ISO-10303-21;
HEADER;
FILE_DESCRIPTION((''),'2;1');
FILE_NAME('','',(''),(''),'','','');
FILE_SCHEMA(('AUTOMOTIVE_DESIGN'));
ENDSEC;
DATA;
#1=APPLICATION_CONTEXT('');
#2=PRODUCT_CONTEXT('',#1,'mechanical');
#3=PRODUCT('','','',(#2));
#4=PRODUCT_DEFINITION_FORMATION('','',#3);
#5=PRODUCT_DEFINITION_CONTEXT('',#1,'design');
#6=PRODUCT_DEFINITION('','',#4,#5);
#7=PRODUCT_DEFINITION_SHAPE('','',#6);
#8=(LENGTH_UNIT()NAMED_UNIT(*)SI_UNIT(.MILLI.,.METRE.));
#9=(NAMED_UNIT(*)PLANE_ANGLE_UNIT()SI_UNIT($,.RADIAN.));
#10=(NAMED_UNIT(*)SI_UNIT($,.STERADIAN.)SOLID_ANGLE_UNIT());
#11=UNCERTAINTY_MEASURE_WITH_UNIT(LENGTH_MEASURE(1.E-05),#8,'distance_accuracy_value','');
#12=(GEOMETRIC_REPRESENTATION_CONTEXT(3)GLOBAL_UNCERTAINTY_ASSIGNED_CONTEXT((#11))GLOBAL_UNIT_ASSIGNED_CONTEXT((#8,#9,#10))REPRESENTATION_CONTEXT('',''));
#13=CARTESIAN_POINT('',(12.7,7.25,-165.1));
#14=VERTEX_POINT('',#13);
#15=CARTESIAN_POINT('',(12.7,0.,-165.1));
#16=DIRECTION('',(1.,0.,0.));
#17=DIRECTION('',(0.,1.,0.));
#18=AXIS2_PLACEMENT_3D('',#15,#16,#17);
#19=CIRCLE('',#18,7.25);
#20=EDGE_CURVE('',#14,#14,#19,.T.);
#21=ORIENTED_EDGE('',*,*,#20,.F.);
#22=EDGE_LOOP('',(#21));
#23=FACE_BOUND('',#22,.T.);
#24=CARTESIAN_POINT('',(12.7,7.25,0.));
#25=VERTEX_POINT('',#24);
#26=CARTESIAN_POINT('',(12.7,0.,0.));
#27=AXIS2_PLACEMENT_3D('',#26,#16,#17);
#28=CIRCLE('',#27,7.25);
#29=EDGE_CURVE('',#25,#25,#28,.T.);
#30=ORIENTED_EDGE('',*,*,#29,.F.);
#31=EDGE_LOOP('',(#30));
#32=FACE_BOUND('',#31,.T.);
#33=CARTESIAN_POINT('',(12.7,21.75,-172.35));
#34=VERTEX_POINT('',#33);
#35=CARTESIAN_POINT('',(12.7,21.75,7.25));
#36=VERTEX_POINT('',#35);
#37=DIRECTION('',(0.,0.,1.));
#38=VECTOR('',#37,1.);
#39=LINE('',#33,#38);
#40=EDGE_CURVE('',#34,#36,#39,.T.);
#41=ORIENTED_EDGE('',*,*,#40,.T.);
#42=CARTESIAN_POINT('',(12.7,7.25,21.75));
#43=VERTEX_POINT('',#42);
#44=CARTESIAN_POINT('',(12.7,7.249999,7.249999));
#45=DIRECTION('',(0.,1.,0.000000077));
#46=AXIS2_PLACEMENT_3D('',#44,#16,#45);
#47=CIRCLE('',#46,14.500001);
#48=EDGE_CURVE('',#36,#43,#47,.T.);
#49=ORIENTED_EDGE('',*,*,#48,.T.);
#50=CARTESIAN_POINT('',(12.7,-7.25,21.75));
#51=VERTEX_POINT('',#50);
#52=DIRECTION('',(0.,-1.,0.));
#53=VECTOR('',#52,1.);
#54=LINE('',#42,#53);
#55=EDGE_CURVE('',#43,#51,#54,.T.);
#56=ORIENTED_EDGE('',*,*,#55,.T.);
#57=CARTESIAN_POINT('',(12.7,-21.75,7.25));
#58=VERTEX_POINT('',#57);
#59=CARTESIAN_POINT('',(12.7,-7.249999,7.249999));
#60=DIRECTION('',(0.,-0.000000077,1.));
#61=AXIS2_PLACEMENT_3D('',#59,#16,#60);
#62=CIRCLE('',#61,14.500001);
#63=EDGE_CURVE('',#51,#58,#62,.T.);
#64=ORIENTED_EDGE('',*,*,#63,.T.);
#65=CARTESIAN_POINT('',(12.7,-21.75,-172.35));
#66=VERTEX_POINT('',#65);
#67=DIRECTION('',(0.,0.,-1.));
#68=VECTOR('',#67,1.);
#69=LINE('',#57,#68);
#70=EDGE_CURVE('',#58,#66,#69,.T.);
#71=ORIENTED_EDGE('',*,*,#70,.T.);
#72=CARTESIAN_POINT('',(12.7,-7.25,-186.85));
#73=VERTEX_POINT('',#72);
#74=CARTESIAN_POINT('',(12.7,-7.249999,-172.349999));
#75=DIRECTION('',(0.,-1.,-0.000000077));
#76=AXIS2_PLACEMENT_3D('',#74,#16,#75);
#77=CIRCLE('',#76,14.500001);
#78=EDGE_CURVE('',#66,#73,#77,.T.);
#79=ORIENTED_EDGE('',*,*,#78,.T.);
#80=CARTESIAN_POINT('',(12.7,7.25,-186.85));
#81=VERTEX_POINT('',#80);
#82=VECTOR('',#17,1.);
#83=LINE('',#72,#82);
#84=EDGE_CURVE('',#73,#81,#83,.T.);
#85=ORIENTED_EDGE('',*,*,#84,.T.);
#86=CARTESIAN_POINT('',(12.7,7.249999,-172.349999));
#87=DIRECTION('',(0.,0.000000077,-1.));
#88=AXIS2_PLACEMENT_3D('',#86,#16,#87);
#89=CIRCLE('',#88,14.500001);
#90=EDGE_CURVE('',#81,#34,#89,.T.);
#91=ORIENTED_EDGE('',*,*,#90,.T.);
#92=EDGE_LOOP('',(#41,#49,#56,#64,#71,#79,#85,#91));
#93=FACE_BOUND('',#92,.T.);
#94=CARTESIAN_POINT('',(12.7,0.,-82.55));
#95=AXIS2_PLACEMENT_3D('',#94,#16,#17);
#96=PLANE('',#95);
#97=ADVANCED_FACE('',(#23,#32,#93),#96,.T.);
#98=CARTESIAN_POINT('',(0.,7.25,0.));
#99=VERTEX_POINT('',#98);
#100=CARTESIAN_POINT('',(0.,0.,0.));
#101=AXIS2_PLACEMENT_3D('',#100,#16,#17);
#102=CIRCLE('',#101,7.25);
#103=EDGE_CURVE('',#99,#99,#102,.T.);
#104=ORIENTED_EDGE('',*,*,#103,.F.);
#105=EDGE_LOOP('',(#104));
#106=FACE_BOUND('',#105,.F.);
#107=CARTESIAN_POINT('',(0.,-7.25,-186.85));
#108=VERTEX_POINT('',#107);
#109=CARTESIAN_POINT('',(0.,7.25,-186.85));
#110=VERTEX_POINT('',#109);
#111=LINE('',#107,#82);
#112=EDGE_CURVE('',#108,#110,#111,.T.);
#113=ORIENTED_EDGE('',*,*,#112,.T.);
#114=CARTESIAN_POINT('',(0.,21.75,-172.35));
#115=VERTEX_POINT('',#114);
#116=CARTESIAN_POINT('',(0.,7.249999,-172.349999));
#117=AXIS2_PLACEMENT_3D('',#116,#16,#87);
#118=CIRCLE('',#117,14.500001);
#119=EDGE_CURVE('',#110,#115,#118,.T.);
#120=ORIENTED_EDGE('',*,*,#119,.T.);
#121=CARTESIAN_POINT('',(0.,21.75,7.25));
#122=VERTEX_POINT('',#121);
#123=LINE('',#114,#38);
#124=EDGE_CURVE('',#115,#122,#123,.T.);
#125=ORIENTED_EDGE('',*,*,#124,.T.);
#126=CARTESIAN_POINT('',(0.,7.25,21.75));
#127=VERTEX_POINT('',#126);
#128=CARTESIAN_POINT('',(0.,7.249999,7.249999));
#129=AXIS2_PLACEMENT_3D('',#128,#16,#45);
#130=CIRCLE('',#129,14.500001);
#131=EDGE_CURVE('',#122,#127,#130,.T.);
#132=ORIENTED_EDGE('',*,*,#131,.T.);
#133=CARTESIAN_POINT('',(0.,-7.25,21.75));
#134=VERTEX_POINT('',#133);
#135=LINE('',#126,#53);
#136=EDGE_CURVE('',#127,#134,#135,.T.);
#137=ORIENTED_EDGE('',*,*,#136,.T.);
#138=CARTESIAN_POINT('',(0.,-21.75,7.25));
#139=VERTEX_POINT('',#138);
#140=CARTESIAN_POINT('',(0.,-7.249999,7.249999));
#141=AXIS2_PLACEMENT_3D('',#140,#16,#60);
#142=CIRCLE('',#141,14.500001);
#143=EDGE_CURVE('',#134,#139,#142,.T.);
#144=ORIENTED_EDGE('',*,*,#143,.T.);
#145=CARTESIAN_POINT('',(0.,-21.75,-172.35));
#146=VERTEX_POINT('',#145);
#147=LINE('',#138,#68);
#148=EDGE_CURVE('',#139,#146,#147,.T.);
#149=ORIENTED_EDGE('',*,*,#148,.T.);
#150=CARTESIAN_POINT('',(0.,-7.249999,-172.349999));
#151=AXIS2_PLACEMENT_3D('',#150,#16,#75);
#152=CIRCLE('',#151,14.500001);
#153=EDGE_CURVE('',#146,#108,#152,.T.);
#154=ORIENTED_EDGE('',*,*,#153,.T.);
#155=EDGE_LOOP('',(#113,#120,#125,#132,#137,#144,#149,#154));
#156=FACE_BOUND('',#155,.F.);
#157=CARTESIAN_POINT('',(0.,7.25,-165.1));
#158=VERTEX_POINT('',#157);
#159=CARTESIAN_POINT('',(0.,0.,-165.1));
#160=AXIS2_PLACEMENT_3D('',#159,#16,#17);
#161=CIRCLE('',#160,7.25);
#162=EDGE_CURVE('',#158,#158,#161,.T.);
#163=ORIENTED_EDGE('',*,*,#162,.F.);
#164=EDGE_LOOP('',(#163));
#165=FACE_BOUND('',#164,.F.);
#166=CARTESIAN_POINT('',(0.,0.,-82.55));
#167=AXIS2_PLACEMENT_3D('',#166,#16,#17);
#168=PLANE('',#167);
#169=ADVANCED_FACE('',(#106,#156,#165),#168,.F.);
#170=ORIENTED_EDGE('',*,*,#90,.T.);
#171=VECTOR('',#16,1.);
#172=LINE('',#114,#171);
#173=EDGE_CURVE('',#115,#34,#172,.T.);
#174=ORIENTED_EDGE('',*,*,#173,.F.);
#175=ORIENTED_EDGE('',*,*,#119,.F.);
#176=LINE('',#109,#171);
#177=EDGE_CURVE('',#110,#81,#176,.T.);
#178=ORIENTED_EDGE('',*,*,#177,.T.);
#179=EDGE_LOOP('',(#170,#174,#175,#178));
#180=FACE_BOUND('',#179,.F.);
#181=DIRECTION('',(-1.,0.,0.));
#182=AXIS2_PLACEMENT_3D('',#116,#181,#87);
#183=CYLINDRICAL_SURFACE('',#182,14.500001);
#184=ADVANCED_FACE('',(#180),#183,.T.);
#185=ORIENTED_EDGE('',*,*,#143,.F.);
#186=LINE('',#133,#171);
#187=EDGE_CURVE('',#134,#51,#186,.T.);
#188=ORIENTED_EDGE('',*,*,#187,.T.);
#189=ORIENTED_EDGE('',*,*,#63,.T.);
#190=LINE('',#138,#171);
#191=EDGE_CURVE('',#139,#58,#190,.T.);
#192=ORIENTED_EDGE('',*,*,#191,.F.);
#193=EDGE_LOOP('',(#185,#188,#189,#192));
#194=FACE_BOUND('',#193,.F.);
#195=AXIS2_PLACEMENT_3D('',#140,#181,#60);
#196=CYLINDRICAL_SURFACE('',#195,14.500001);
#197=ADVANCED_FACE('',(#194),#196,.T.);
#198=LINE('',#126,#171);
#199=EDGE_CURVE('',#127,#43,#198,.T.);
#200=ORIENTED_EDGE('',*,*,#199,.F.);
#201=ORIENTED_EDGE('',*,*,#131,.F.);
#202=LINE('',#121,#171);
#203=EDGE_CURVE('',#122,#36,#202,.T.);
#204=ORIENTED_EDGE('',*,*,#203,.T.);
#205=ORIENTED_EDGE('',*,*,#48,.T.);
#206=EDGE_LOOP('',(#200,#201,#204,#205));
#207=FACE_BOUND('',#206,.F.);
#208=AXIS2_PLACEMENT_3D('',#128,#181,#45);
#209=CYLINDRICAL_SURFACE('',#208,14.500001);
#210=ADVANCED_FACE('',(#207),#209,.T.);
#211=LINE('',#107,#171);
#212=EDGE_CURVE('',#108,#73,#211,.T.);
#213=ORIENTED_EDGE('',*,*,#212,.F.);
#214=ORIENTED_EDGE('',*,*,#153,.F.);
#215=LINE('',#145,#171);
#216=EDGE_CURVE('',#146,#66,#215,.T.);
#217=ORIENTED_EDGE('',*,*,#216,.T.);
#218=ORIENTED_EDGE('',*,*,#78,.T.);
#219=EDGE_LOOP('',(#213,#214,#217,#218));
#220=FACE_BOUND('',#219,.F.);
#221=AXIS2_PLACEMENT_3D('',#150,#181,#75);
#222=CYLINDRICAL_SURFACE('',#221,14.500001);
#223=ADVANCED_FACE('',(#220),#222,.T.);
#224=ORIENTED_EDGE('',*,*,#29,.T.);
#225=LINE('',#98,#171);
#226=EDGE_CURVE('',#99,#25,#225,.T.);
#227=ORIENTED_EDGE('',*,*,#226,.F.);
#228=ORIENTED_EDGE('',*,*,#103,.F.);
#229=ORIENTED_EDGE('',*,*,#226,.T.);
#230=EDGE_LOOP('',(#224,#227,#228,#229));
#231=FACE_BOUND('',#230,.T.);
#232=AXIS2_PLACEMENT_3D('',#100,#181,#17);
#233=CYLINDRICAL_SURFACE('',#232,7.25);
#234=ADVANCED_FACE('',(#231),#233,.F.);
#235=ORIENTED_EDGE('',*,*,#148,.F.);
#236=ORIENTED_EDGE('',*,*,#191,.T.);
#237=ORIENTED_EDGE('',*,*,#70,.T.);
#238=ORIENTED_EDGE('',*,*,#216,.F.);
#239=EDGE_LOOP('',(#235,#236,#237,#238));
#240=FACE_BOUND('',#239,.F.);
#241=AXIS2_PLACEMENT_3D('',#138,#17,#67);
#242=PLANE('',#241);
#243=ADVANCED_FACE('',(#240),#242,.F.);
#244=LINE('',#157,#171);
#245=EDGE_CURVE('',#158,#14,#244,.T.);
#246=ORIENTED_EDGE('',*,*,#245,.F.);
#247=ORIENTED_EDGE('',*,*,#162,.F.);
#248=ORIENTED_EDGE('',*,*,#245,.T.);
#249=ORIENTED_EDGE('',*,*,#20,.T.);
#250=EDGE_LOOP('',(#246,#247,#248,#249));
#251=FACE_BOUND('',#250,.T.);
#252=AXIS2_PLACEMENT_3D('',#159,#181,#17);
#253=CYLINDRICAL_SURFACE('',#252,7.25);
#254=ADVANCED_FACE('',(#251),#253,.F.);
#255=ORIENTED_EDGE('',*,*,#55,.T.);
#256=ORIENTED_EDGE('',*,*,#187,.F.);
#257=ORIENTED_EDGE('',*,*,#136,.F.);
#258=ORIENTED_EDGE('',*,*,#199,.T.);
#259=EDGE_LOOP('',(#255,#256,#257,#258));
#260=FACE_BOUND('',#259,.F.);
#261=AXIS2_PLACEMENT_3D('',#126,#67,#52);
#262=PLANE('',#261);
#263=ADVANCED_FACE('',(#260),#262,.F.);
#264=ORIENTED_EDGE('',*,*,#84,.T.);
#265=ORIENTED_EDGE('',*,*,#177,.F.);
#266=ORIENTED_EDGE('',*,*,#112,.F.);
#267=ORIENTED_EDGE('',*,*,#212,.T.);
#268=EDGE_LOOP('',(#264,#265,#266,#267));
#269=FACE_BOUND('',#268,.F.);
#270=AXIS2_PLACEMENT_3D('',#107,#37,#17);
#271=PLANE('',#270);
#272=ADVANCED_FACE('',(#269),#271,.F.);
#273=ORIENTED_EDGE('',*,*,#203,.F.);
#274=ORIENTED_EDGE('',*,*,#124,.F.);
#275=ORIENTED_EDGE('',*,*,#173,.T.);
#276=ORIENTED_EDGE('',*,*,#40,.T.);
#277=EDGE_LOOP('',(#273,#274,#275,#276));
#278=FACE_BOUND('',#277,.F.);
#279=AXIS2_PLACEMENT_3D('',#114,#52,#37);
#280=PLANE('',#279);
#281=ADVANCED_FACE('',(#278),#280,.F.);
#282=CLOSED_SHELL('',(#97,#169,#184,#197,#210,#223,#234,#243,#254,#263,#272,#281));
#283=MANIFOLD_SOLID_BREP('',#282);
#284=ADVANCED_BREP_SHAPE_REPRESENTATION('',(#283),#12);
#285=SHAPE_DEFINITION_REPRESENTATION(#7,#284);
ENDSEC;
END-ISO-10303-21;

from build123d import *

# Parameters (mm, degrees)
F0_R     = 7.25
F1_DEPTH = 12.7


with BuildPart() as f1:
    # F0 (on Right) → F1 (new body)
    with BuildSketch(Plane.YZ):
        with BuildLine():
            Line((7.25, 21.75), (-7.25, 21.75))
            ThreePointArc((-7.25, 21.75), (-17.503048, 17.503048), (-21.75, 7.25))
            Line((-21.75, 7.25), (-21.75, -172.35))
            ThreePointArc((-21.75, -172.35), (-17.503048, -182.603048), (-7.25, -186.85))
            Line((-7.25, -186.85), (7.25, -186.85))
            ThreePointArc((7.25, -186.85), (17.503048, -182.603048), (21.75, -172.35))
            Line((21.75, -172.35), (21.75, 7.25))
            ThreePointArc((21.75, 7.25), (17.503048, 17.503048), (7.25, 21.75))
        make_face()
        with Locations((0, -165.1)):
            Circle(F0_R, mode=Mode.SUBTRACT)
        Circle(F0_R, mode=Mode.SUBTRACT)
    extrude(amount=F1_DEPTH)


solid = f1.part
